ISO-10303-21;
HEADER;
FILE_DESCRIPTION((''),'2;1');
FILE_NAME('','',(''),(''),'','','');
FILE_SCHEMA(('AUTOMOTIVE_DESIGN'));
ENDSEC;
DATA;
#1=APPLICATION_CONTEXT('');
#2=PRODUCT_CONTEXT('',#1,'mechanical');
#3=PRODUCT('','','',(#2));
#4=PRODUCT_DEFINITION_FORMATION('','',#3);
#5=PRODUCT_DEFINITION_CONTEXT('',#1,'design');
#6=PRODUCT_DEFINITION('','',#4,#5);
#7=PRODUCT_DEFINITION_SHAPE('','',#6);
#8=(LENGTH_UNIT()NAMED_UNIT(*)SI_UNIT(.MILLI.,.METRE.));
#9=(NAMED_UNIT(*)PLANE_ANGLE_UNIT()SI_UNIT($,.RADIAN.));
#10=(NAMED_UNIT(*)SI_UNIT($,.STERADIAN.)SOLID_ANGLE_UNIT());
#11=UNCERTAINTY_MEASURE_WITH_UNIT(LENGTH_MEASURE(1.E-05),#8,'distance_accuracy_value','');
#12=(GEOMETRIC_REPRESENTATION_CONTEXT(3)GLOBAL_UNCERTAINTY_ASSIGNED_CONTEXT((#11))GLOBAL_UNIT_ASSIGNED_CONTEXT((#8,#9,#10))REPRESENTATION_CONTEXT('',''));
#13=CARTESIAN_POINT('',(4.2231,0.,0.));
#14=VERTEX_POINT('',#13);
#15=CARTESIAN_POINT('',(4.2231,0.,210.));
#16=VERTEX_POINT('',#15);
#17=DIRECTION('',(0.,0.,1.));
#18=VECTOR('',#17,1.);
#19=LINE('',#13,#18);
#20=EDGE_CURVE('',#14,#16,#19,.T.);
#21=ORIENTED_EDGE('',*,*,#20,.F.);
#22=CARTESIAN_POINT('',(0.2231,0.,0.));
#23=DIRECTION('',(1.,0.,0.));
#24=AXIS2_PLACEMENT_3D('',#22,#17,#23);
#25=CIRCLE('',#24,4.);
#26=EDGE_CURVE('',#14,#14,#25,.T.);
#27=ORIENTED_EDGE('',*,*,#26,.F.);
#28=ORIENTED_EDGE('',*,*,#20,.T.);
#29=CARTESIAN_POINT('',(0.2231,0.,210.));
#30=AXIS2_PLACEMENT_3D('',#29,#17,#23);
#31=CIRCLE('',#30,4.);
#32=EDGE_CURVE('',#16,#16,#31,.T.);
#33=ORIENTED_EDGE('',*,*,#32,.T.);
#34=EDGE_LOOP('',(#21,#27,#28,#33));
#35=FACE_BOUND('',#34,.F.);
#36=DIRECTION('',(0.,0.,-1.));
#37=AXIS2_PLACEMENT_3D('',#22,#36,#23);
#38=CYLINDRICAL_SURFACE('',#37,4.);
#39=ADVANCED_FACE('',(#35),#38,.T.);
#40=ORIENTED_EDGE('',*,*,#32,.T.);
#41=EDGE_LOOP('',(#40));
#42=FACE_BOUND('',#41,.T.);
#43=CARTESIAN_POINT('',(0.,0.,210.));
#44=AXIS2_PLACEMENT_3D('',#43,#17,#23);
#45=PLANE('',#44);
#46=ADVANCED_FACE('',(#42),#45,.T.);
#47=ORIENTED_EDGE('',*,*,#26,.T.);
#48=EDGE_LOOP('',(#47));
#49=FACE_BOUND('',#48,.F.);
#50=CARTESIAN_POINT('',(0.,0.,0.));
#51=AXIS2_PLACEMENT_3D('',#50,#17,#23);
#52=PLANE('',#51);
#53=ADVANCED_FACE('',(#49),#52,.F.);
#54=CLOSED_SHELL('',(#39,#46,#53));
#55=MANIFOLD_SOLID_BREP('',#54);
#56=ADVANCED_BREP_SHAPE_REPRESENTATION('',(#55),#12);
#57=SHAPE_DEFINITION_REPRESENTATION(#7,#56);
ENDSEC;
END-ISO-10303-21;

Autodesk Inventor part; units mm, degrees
ref_plane "YZ Plane" through (0, 0, 0) normal (1, 0, 0) x (0, 1, 0)
ref_plane "XZ Plane" through (0, 0, 0) normal (0, 1, 0) x (-1, 0, 0)
ref_plane "XY Plane" through (0, 0, 0) normal (0, 0, 1) x (1, 0, 0)
sketch "Sketch1" plane through (0, 0, 0) normal (0, 0, 1) x (1, 0, 0)
  circle A0 centre (0.2231, 0) radius 4
  point P0 (0, 0)
  dimension "d0" = 8
extrude "Extrusion1" add sketch "Sketch1" along normal blind 210
thread "Thread1" size "TR8x1.5" class "7e" standard "ISO Metric Trapezoidal Threads" full length
properties part number "0008-10-1003 T8 screw" material "Steel"
